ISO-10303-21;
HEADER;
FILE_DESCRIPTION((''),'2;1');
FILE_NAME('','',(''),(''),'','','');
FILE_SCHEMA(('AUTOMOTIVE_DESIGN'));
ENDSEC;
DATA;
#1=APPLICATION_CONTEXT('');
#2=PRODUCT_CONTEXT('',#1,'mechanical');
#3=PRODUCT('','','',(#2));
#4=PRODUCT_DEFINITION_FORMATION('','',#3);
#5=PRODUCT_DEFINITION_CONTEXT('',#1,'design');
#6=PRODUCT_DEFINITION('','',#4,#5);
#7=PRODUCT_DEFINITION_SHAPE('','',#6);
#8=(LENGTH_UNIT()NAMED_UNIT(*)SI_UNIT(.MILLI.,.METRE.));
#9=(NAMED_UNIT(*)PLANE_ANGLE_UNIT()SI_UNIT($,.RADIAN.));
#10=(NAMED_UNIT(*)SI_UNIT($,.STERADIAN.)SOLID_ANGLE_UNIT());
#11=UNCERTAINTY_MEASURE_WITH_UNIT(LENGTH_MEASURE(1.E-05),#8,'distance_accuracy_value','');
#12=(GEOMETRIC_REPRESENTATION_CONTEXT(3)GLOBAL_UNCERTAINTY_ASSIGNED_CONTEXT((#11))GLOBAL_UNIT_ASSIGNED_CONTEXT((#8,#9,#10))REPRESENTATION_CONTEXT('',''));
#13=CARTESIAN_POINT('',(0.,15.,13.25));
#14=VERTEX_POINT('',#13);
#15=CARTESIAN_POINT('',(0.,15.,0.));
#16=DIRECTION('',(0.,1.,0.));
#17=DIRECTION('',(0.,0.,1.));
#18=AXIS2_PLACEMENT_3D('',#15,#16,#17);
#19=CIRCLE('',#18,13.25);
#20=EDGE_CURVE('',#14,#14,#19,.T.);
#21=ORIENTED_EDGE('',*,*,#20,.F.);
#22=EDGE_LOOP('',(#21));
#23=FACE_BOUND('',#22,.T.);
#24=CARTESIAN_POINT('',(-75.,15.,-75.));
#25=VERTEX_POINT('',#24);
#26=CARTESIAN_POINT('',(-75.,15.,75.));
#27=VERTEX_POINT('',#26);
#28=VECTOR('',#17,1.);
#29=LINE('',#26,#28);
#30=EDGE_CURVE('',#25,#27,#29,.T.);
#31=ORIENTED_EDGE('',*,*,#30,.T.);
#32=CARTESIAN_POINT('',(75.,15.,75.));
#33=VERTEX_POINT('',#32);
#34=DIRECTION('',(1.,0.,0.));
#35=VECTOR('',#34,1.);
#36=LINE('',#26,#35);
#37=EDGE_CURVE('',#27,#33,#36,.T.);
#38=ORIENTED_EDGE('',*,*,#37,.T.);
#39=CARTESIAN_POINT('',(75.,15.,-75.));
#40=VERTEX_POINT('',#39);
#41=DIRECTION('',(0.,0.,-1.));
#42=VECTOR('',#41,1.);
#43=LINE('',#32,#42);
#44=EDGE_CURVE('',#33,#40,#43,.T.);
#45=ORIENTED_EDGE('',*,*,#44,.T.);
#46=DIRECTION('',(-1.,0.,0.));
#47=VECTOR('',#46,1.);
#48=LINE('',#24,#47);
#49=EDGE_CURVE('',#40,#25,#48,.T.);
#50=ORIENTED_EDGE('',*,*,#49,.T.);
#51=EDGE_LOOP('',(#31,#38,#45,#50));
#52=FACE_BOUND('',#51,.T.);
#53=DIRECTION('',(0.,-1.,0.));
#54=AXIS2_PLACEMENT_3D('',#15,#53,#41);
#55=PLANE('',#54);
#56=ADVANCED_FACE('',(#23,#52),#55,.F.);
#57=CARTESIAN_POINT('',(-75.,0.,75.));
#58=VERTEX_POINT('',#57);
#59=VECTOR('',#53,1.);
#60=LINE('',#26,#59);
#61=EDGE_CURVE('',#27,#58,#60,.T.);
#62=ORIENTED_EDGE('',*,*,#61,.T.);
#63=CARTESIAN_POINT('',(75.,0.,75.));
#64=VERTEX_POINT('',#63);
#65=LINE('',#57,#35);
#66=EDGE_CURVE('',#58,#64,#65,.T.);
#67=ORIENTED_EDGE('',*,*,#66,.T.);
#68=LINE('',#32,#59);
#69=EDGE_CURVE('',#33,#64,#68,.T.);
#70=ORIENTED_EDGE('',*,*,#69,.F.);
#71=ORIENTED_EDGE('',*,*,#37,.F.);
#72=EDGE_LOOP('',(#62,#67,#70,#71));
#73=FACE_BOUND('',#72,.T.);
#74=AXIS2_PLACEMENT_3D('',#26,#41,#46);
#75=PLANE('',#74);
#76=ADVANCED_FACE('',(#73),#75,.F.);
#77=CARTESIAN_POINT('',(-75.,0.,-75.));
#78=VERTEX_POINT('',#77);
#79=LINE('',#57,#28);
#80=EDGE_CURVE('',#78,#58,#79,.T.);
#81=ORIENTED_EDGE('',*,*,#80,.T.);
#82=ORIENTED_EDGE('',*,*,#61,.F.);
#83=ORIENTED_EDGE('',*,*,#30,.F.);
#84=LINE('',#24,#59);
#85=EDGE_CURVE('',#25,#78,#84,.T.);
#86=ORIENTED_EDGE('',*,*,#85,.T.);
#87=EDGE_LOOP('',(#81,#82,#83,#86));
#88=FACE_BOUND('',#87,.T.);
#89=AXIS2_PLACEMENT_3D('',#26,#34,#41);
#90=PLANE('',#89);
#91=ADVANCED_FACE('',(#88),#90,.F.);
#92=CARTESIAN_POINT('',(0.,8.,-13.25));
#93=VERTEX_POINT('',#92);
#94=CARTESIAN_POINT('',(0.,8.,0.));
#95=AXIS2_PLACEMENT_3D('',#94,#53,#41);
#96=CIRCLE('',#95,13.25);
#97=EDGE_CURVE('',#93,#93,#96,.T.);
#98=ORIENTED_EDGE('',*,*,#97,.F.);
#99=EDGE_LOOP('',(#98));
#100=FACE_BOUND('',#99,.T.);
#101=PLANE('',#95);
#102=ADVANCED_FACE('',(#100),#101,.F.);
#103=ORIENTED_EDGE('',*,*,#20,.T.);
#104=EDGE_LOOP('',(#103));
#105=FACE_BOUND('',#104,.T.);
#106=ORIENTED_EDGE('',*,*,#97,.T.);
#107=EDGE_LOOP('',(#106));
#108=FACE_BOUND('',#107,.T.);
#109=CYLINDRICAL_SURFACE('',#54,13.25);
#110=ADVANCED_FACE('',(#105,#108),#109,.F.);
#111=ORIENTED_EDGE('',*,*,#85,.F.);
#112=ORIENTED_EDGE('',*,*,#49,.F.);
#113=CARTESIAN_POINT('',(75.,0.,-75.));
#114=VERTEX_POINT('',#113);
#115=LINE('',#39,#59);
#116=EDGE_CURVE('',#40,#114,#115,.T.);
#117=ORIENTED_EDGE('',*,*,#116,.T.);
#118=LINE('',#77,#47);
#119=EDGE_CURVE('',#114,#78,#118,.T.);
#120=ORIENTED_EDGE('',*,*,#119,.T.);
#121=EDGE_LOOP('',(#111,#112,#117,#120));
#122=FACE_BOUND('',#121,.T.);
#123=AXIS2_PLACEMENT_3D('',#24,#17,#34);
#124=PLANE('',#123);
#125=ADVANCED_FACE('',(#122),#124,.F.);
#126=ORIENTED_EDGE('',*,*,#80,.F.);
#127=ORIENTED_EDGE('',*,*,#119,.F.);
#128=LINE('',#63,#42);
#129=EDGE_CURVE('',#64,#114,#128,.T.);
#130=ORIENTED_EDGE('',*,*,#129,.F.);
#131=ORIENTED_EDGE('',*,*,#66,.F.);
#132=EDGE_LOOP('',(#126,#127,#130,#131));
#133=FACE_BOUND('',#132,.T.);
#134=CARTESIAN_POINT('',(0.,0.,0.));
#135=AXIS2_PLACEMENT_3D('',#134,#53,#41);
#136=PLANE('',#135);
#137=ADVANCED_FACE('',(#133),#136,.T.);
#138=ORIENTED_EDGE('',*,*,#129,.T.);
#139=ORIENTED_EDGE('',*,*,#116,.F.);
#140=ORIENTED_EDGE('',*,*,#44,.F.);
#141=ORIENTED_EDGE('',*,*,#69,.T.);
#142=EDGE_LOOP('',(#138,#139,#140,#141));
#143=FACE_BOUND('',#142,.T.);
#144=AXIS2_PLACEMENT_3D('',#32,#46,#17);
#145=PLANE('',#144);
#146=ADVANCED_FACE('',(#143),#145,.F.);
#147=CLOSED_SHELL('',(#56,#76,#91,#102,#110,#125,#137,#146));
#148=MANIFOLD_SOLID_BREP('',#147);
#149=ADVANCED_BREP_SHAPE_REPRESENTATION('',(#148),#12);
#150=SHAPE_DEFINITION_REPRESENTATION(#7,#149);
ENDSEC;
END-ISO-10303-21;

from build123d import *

# Parameters (mm, degrees)
SKETCH1_W           = 150
SKETCH1_H           = 150
SKETCH1_R           = 13.25
BOSS_EXTRUDE1_DEPTH = 15
SKETCH2_R           = 13.25
BOSS_EXTRUDE2_DEPTH = 8


with BuildPart() as part:
    # Sketch1 → Boss-Extrude1 (new body)
    with BuildSketch(Plane(origin=(0, 0, 0), x_dir=(1, 0, 0), z_dir=(0, 1, 0))):
        Rectangle(SKETCH1_W, SKETCH1_H)
        with Locations(Location((0, 0, 0), (0, 0, 270))):
            Circle(SKETCH1_R, mode=Mode.SUBTRACT)
    extrude(amount=BOSS_EXTRUDE1_DEPTH)

    # Sketch2 → Boss-Extrude2 (add)
    with BuildSketch(Plane.XZ):
        with Locations(Location((0, 0, 0), (0, 0, 270))):
            Circle(SKETCH2_R)
    extrude(amount=-BOSS_EXTRUDE2_DEPTH)


solid = part.part
